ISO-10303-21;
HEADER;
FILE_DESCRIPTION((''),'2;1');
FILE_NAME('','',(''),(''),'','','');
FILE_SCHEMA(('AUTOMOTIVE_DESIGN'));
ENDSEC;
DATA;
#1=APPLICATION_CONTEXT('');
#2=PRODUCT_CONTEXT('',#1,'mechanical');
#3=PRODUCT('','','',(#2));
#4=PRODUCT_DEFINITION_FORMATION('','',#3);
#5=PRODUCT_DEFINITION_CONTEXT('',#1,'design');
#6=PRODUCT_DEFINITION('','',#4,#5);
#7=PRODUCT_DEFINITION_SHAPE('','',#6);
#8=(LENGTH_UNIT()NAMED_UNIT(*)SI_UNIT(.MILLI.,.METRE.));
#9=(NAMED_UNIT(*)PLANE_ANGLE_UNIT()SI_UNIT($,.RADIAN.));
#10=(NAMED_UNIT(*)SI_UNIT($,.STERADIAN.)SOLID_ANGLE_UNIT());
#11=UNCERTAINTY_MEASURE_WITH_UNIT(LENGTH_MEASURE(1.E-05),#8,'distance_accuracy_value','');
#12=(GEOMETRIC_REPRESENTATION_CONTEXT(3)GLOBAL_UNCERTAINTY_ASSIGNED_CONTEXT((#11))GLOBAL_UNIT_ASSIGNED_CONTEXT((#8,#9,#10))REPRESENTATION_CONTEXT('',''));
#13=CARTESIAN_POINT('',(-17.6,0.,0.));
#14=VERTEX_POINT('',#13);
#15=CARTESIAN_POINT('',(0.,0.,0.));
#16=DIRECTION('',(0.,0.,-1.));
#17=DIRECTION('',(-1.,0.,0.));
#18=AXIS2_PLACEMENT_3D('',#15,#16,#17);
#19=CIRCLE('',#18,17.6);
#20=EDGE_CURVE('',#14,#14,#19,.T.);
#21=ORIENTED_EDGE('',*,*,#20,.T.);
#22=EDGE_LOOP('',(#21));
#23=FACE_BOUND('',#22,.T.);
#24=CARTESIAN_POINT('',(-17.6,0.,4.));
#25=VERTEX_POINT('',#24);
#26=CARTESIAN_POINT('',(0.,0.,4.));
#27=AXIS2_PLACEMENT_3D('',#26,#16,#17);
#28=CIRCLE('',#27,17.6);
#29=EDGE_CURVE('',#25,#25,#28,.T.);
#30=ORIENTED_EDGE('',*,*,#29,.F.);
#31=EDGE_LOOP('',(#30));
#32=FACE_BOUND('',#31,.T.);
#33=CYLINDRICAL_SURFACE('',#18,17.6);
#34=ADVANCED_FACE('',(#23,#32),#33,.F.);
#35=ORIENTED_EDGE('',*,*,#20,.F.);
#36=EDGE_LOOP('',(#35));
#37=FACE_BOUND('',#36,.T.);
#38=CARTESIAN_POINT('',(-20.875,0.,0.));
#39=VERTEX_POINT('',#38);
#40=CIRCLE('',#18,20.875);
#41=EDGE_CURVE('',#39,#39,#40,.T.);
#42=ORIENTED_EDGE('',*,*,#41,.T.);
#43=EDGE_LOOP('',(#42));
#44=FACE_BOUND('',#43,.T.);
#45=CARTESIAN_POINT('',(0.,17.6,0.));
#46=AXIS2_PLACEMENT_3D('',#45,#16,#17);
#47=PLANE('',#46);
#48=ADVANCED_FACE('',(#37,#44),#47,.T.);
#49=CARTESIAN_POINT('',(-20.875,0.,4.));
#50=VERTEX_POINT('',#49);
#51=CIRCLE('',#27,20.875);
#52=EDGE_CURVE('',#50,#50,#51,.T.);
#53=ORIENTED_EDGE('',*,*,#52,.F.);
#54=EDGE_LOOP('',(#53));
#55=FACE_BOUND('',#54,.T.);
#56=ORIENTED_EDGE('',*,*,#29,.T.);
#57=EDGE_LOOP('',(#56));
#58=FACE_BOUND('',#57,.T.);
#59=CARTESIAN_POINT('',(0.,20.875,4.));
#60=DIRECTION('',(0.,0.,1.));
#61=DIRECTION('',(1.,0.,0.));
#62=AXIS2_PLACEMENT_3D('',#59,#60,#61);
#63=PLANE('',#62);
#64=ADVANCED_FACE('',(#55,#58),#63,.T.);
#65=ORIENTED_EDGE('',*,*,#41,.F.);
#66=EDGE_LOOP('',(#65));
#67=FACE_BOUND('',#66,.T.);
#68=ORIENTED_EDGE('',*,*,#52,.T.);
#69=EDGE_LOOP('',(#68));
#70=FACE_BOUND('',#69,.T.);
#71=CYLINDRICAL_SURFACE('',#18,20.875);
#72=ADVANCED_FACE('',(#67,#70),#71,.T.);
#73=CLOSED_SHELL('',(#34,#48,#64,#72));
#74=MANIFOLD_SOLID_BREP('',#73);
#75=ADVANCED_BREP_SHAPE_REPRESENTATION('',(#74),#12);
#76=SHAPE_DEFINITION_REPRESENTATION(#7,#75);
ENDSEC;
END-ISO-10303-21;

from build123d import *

# Parameters (mm, degrees)
SKETCH1_W = 4
SKETCH1_H = 3.275


with BuildPart() as part:
    # Sketch1 → Revolve1 (revolve)
    with BuildSketch(Plane(origin=(0, 0, 0), x_dir=(0, 0, -1), z_dir=(1, 0, 0)), mode=Mode.PRIVATE) as revolve1_sk:
        with Locations((-2, 19.2375)):
            Rectangle(SKETCH1_W, SKETCH1_H)
    revolve(revolve1_sk.sketch.rotate(Axis((0, 0, 0), (0, 0, 1)), 90), axis=Axis((0, 0, 0), (0, 0, 1)))


solid = part.part
